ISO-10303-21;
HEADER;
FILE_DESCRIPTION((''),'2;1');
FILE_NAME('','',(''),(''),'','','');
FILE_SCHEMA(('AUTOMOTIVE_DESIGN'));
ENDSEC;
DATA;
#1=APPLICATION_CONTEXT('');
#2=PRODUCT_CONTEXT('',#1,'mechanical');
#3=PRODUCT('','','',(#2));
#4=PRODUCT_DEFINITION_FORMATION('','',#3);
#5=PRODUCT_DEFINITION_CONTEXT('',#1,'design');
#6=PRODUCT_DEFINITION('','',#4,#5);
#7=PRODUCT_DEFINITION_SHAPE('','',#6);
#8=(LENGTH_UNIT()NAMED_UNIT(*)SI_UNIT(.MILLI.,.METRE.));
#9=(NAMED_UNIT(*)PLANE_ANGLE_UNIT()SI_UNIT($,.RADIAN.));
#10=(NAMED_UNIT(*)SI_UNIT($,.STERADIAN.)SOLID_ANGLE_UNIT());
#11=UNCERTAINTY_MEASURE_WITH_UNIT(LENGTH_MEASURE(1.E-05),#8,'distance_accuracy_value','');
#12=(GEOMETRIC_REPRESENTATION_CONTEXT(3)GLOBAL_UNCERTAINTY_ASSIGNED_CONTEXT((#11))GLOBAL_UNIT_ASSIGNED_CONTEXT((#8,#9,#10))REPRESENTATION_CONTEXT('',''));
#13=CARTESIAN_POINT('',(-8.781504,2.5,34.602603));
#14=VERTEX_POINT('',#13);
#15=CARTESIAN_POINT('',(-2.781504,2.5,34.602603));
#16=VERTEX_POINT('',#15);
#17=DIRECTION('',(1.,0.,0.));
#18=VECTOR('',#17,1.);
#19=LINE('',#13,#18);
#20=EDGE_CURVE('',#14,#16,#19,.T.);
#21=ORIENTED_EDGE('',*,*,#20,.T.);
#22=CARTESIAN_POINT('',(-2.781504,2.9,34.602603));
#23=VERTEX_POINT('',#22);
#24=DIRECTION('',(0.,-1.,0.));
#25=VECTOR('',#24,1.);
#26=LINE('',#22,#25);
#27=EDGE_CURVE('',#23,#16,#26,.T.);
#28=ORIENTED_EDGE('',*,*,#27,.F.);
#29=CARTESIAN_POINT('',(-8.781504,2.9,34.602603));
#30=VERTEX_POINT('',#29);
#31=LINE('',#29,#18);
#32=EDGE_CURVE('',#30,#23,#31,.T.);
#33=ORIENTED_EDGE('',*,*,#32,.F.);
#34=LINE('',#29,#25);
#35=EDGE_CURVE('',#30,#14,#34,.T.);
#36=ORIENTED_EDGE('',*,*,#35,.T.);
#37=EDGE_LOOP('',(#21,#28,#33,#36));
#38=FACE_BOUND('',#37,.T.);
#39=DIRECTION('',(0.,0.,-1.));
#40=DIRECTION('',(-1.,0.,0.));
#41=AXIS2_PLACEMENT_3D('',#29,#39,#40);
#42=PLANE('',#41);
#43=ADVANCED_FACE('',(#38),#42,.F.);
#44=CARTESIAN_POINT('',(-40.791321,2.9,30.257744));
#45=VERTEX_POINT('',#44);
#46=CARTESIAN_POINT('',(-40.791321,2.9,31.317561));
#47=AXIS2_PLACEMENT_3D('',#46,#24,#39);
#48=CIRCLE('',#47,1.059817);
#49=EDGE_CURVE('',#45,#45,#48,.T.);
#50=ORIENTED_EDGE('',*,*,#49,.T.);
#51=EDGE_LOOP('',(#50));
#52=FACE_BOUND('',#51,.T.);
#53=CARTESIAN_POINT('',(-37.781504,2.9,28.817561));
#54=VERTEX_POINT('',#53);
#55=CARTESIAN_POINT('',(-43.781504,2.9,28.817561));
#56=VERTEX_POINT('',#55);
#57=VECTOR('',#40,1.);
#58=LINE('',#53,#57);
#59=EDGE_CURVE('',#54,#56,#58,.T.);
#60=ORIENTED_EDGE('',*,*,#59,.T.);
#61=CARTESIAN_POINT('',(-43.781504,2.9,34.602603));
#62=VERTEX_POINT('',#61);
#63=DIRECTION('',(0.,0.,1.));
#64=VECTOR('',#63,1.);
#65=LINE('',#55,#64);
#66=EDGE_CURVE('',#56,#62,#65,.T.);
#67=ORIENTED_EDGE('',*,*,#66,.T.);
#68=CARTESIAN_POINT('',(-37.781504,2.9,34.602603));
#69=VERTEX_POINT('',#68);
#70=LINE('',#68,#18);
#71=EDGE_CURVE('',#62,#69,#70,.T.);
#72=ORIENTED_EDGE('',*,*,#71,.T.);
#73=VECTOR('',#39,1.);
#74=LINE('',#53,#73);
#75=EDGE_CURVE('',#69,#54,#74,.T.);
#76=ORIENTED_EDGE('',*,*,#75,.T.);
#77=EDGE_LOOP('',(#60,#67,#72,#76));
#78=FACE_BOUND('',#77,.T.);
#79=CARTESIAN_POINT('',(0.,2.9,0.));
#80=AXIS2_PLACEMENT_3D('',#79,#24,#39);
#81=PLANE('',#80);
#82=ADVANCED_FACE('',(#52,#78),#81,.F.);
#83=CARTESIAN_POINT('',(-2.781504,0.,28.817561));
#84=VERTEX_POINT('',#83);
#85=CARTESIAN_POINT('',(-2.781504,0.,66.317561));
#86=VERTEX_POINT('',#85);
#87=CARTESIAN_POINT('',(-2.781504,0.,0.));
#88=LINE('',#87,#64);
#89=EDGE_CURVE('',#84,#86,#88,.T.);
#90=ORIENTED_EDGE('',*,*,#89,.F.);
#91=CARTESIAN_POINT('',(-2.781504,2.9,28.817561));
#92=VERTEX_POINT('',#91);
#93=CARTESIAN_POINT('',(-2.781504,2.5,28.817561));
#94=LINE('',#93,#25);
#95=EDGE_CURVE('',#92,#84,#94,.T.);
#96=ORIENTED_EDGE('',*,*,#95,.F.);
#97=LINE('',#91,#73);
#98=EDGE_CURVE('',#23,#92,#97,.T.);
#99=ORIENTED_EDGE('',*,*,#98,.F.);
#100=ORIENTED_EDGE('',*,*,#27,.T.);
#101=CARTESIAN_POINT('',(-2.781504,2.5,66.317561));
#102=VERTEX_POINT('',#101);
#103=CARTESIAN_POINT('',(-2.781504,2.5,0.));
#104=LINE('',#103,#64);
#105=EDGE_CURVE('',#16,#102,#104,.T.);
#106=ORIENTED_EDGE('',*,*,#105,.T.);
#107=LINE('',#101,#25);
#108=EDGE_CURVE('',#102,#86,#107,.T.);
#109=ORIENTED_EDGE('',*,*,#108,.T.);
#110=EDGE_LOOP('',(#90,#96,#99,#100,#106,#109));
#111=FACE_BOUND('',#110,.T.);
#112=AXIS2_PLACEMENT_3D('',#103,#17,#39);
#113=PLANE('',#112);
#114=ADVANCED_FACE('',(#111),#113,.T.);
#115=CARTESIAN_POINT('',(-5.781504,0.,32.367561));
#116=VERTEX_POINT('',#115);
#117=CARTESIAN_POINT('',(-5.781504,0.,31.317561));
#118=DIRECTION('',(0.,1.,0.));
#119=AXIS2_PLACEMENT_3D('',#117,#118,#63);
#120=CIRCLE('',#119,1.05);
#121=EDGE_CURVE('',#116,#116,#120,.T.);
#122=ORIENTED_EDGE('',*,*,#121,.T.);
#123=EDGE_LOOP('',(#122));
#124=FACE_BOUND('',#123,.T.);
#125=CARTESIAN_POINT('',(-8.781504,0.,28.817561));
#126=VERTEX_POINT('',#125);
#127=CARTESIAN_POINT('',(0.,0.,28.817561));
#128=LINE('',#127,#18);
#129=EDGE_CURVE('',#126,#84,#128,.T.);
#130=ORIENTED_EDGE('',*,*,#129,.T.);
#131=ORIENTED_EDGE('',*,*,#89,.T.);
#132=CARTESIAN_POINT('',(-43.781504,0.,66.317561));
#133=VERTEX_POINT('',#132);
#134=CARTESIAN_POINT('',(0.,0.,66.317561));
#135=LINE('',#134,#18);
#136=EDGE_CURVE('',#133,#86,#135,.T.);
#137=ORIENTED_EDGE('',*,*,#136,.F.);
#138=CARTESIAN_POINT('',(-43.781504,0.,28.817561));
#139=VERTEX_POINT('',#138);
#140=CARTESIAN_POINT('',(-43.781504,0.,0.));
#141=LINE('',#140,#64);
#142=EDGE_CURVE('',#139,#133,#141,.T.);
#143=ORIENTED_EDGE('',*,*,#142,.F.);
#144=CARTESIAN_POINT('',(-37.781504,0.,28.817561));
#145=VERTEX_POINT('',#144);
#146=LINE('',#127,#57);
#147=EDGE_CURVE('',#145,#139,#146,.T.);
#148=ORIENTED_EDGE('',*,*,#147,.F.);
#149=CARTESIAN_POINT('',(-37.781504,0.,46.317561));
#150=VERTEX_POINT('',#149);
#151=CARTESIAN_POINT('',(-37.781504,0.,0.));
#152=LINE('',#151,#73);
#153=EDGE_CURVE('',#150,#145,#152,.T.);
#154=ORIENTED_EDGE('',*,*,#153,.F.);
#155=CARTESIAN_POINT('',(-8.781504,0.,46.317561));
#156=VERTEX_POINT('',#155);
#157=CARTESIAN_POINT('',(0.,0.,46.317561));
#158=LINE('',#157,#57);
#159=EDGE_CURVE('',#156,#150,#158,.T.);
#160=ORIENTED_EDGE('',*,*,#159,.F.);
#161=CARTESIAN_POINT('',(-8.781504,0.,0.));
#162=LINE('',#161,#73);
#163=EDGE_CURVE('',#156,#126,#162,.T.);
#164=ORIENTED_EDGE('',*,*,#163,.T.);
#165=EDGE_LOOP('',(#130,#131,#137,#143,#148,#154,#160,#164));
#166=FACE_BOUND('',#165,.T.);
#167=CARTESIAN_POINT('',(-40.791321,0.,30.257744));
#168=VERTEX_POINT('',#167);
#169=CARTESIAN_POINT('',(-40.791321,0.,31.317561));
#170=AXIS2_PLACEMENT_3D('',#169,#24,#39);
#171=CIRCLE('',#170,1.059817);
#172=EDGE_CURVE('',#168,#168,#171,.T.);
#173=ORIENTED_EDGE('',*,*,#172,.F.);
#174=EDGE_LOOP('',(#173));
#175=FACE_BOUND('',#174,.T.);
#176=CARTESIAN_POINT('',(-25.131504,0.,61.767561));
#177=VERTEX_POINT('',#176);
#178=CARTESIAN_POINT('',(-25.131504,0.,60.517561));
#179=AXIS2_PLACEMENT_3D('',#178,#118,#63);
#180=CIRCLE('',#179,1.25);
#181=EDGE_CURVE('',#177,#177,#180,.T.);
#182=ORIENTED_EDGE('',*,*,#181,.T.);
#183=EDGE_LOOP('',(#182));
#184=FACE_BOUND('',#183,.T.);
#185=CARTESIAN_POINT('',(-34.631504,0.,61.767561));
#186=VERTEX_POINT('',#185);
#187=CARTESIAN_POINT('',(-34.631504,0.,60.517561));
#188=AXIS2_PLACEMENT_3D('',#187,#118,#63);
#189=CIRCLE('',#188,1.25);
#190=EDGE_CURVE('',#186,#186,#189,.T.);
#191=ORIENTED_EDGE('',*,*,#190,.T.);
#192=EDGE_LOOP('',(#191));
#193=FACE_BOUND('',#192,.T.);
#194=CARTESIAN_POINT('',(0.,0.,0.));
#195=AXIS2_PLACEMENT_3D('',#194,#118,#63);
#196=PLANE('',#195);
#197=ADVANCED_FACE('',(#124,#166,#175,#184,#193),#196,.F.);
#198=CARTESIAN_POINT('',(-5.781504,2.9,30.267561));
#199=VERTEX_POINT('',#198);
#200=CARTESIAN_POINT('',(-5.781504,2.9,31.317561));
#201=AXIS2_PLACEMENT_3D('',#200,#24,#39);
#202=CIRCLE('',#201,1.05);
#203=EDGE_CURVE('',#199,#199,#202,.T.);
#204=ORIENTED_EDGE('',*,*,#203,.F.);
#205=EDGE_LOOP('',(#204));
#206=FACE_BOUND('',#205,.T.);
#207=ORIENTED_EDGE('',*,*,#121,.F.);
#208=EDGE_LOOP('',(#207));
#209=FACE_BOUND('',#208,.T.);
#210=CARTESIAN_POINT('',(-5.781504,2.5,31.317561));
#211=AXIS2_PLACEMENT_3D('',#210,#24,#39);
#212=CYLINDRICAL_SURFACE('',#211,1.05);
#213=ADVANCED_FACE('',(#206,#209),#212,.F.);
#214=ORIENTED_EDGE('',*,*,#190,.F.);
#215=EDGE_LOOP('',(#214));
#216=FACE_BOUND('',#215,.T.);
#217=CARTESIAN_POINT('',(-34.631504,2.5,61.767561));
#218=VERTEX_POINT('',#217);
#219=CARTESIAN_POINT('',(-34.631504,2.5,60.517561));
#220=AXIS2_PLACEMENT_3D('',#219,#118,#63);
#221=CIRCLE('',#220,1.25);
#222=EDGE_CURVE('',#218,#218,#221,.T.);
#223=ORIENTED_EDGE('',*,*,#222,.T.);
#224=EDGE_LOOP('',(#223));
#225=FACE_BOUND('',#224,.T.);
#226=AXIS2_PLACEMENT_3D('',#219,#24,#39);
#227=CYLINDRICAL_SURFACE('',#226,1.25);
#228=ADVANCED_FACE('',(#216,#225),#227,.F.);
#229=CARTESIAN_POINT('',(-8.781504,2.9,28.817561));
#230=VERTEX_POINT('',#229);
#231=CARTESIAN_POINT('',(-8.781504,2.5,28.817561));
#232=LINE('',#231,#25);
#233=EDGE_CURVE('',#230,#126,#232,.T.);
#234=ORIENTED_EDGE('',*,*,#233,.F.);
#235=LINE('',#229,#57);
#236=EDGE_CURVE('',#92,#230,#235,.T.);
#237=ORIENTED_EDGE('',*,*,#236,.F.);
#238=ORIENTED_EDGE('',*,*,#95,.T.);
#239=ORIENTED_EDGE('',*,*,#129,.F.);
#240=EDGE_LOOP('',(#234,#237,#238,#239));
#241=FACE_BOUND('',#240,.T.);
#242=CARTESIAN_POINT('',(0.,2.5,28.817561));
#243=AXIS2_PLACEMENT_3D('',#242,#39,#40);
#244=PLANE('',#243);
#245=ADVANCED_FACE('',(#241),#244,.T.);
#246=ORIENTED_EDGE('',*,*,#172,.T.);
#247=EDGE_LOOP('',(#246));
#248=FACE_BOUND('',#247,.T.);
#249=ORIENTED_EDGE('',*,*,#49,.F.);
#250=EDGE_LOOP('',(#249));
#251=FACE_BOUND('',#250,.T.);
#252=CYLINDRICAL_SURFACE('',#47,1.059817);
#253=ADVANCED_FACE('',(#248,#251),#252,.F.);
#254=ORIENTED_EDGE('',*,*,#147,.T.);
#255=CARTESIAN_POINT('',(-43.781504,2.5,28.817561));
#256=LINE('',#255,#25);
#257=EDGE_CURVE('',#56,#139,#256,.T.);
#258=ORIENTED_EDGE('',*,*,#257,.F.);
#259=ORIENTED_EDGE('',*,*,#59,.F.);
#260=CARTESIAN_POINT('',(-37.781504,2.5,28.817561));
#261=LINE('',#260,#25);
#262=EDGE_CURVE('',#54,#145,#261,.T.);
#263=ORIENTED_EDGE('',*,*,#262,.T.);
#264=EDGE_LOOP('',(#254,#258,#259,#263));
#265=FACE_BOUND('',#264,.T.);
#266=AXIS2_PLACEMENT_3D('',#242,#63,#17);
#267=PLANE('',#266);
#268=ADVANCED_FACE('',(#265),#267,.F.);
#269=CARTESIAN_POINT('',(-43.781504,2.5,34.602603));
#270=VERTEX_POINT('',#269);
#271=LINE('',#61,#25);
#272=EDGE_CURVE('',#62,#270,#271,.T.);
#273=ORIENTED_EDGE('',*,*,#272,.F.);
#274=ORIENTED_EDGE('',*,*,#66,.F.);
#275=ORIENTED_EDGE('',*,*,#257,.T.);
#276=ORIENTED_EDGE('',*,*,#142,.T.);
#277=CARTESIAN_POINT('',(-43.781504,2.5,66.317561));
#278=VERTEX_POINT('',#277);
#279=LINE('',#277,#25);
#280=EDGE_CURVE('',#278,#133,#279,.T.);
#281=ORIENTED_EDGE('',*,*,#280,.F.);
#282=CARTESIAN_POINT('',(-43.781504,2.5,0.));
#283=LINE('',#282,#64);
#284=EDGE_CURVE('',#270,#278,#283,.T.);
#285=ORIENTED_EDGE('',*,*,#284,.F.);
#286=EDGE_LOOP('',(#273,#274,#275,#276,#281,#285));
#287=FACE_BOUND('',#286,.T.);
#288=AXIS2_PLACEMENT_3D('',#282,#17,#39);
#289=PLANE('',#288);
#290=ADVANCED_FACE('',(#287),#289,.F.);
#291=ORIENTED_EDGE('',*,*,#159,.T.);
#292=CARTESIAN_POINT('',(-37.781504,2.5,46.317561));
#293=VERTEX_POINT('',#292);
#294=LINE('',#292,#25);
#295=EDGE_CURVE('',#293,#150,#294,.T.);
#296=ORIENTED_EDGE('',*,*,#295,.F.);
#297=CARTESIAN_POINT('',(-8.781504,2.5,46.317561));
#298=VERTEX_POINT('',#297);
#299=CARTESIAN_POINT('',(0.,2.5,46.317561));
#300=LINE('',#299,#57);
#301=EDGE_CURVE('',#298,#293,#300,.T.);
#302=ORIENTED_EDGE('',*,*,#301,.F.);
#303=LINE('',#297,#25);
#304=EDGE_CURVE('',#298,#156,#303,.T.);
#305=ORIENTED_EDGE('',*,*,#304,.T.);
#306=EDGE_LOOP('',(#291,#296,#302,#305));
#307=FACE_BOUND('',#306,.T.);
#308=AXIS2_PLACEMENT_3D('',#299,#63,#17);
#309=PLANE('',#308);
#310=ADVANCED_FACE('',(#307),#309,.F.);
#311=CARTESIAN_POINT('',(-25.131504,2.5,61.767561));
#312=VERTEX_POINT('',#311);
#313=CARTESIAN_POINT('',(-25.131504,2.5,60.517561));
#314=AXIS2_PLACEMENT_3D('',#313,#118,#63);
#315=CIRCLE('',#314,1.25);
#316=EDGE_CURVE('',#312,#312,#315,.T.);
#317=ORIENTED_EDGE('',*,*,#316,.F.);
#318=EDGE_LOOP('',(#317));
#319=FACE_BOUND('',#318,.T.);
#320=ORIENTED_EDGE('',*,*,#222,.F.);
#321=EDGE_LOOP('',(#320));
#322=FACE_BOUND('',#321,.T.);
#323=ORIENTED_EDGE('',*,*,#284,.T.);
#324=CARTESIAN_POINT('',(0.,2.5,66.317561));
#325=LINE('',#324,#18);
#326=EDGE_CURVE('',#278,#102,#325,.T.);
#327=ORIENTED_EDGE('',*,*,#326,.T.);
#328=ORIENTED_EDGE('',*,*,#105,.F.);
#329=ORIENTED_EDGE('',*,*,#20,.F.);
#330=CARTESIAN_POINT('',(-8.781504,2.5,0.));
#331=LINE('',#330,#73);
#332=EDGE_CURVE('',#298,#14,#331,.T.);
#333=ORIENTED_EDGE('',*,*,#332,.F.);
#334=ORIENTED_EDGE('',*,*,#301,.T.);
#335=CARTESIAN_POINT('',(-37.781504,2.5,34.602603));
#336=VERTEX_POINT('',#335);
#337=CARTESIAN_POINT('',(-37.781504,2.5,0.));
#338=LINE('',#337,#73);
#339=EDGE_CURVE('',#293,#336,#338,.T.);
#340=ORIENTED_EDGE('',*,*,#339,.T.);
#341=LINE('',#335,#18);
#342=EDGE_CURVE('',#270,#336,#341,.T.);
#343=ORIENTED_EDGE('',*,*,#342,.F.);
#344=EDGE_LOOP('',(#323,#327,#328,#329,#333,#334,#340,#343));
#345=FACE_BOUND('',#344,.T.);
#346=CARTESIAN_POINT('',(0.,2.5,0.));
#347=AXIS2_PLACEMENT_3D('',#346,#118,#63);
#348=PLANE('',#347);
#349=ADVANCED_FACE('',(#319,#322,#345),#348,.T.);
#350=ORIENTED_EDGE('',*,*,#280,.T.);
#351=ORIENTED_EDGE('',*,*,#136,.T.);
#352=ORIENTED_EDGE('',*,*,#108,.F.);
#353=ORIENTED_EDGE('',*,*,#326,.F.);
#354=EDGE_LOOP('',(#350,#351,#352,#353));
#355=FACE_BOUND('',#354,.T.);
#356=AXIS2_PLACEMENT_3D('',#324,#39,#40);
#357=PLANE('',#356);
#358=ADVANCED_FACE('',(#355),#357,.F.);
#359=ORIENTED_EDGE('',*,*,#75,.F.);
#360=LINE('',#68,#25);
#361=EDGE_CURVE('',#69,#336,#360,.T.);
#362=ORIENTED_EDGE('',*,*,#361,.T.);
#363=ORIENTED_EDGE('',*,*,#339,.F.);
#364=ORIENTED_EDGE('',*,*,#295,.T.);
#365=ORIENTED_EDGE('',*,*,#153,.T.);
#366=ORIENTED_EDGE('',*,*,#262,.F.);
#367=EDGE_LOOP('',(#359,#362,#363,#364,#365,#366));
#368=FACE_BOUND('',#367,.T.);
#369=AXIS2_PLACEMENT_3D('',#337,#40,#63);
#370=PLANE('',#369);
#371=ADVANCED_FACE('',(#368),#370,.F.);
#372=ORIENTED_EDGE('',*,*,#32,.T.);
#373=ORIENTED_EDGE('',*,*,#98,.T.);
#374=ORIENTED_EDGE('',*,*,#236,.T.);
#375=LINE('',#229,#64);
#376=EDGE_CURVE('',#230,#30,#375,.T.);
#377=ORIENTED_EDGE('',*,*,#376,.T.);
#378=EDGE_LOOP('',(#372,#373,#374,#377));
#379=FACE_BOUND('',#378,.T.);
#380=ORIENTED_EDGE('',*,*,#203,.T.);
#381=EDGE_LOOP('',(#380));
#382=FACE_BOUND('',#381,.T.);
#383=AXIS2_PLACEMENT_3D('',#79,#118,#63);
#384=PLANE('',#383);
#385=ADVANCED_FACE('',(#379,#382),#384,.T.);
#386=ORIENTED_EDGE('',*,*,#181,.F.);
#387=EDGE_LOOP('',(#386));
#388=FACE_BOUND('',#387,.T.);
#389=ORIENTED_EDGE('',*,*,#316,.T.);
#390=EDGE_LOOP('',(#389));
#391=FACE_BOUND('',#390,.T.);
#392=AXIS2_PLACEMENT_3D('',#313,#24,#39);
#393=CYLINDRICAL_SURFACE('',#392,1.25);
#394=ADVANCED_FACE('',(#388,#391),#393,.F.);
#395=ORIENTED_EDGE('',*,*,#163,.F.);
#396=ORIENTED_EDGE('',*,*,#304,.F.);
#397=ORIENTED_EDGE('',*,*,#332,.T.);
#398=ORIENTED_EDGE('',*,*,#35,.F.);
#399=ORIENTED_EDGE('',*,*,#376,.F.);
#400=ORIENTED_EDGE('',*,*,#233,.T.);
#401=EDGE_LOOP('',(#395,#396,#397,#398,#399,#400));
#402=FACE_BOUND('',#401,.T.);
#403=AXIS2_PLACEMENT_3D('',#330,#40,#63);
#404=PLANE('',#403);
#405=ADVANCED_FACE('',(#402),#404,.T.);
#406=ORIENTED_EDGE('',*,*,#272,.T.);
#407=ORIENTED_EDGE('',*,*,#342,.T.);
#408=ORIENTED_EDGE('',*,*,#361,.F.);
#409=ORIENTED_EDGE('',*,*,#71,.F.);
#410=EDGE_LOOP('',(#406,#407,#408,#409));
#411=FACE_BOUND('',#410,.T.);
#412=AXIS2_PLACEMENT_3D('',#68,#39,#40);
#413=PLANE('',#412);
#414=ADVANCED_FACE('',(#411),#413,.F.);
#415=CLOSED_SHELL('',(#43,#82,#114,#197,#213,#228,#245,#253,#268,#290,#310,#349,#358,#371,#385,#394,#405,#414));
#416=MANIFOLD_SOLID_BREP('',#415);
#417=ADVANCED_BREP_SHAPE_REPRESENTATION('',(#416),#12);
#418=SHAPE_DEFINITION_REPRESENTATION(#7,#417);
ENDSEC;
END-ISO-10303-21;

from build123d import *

# Parameters (mm, degrees)
SKETCH1_R           = 1.05
BOSS_EXTRUDE1_DEPTH = 2.5
CUT_EXTRUDE1_START  = -2.5
SKETCH2_R           = 1.25
CUT_EXTRUDE1_DEPTH  = 83.005276467
SKETCH3_W           = 6
SKETCH3_H           = 5.785041524
BOSS_EXTRUDE2_DEPTH = 0.4
SKETCH4_R           = 1.05
SKETCH4_R_2         = 1.059817418
CUT_EXTRUDE2_DEPTH  = 80.518859311


with BuildPart() as part:
    # Sketch1 → Boss-Extrude1 (new body)
    with BuildSketch(Plane(origin=(0, 0, 0), x_dir=(1, 0, 0), z_dir=(0, 1, 0))):
        Polygon((-37.781503794, -28.817561111), (-43.781503794, -28.817561111), (-43.781503794, -66.317561111), (-2.781503794, -66.317561111), (-2.781503794, -28.817561111), (-8.781503794, -28.817561111), (-8.781503794, -46.317561111), (-37.781503794, -46.317561111), align=None)
        with Locations(Location((-40.781503794, -31.317561111, 0), (0, 0, 270))):
            Circle(SKETCH1_R, mode=Mode.SUBTRACT)
        with Locations(Location((-5.781503794, -31.317561111, 0), (0, 0, 270))):
            Circle(SKETCH1_R, mode=Mode.SUBTRACT)
    extrude(amount=BOSS_EXTRUDE1_DEPTH)

    # Sketch2 → Cut-Extrude1 (cut, through all)
    with BuildSketch(Plane(origin=(0, 2.5, 0), x_dir=(1, 0, 0), z_dir=(0, 1, 0)).offset(CUT_EXTRUDE1_START)):
        with Locations(Location((-34.631503794, -60.517561111, 0), (0, 0, 270))):
            Circle(SKETCH2_R)
        with Locations(Location((-25.131503794, -60.517561111, 0), (0, 0, 270))):
            Circle(SKETCH2_R)
    extrude(amount=CUT_EXTRUDE1_DEPTH, mode=Mode.SUBTRACT)

    # Sketch3 → Boss-Extrude2 (add)
    with BuildSketch(Plane(origin=(0, 2.5, 0), x_dir=(1, 0, 0), z_dir=(0, 1, 0))):
        with Locations((-40.781503794, -31.710081873)):
            Rectangle(SKETCH3_W, SKETCH3_H)
        with Locations((-5.781503794, -31.710081873)):
            Rectangle(SKETCH3_W, SKETCH3_H)
    extrude(amount=BOSS_EXTRUDE2_DEPTH)

    # Sketch4 → Cut-Extrude2 (cut, through all)
    with BuildSketch(Plane.XZ):
        with Locations(Location((-5.781503794, 31.317561111, 0), (0, 0, 270))):
            Circle(SKETCH4_R)
        with Locations(Location((-40.791321212, 31.317561111, 0), (0, 0, 270))):
            Circle(SKETCH4_R_2)
    extrude(amount=-CUT_EXTRUDE2_DEPTH, mode=Mode.SUBTRACT)


solid = part.part
